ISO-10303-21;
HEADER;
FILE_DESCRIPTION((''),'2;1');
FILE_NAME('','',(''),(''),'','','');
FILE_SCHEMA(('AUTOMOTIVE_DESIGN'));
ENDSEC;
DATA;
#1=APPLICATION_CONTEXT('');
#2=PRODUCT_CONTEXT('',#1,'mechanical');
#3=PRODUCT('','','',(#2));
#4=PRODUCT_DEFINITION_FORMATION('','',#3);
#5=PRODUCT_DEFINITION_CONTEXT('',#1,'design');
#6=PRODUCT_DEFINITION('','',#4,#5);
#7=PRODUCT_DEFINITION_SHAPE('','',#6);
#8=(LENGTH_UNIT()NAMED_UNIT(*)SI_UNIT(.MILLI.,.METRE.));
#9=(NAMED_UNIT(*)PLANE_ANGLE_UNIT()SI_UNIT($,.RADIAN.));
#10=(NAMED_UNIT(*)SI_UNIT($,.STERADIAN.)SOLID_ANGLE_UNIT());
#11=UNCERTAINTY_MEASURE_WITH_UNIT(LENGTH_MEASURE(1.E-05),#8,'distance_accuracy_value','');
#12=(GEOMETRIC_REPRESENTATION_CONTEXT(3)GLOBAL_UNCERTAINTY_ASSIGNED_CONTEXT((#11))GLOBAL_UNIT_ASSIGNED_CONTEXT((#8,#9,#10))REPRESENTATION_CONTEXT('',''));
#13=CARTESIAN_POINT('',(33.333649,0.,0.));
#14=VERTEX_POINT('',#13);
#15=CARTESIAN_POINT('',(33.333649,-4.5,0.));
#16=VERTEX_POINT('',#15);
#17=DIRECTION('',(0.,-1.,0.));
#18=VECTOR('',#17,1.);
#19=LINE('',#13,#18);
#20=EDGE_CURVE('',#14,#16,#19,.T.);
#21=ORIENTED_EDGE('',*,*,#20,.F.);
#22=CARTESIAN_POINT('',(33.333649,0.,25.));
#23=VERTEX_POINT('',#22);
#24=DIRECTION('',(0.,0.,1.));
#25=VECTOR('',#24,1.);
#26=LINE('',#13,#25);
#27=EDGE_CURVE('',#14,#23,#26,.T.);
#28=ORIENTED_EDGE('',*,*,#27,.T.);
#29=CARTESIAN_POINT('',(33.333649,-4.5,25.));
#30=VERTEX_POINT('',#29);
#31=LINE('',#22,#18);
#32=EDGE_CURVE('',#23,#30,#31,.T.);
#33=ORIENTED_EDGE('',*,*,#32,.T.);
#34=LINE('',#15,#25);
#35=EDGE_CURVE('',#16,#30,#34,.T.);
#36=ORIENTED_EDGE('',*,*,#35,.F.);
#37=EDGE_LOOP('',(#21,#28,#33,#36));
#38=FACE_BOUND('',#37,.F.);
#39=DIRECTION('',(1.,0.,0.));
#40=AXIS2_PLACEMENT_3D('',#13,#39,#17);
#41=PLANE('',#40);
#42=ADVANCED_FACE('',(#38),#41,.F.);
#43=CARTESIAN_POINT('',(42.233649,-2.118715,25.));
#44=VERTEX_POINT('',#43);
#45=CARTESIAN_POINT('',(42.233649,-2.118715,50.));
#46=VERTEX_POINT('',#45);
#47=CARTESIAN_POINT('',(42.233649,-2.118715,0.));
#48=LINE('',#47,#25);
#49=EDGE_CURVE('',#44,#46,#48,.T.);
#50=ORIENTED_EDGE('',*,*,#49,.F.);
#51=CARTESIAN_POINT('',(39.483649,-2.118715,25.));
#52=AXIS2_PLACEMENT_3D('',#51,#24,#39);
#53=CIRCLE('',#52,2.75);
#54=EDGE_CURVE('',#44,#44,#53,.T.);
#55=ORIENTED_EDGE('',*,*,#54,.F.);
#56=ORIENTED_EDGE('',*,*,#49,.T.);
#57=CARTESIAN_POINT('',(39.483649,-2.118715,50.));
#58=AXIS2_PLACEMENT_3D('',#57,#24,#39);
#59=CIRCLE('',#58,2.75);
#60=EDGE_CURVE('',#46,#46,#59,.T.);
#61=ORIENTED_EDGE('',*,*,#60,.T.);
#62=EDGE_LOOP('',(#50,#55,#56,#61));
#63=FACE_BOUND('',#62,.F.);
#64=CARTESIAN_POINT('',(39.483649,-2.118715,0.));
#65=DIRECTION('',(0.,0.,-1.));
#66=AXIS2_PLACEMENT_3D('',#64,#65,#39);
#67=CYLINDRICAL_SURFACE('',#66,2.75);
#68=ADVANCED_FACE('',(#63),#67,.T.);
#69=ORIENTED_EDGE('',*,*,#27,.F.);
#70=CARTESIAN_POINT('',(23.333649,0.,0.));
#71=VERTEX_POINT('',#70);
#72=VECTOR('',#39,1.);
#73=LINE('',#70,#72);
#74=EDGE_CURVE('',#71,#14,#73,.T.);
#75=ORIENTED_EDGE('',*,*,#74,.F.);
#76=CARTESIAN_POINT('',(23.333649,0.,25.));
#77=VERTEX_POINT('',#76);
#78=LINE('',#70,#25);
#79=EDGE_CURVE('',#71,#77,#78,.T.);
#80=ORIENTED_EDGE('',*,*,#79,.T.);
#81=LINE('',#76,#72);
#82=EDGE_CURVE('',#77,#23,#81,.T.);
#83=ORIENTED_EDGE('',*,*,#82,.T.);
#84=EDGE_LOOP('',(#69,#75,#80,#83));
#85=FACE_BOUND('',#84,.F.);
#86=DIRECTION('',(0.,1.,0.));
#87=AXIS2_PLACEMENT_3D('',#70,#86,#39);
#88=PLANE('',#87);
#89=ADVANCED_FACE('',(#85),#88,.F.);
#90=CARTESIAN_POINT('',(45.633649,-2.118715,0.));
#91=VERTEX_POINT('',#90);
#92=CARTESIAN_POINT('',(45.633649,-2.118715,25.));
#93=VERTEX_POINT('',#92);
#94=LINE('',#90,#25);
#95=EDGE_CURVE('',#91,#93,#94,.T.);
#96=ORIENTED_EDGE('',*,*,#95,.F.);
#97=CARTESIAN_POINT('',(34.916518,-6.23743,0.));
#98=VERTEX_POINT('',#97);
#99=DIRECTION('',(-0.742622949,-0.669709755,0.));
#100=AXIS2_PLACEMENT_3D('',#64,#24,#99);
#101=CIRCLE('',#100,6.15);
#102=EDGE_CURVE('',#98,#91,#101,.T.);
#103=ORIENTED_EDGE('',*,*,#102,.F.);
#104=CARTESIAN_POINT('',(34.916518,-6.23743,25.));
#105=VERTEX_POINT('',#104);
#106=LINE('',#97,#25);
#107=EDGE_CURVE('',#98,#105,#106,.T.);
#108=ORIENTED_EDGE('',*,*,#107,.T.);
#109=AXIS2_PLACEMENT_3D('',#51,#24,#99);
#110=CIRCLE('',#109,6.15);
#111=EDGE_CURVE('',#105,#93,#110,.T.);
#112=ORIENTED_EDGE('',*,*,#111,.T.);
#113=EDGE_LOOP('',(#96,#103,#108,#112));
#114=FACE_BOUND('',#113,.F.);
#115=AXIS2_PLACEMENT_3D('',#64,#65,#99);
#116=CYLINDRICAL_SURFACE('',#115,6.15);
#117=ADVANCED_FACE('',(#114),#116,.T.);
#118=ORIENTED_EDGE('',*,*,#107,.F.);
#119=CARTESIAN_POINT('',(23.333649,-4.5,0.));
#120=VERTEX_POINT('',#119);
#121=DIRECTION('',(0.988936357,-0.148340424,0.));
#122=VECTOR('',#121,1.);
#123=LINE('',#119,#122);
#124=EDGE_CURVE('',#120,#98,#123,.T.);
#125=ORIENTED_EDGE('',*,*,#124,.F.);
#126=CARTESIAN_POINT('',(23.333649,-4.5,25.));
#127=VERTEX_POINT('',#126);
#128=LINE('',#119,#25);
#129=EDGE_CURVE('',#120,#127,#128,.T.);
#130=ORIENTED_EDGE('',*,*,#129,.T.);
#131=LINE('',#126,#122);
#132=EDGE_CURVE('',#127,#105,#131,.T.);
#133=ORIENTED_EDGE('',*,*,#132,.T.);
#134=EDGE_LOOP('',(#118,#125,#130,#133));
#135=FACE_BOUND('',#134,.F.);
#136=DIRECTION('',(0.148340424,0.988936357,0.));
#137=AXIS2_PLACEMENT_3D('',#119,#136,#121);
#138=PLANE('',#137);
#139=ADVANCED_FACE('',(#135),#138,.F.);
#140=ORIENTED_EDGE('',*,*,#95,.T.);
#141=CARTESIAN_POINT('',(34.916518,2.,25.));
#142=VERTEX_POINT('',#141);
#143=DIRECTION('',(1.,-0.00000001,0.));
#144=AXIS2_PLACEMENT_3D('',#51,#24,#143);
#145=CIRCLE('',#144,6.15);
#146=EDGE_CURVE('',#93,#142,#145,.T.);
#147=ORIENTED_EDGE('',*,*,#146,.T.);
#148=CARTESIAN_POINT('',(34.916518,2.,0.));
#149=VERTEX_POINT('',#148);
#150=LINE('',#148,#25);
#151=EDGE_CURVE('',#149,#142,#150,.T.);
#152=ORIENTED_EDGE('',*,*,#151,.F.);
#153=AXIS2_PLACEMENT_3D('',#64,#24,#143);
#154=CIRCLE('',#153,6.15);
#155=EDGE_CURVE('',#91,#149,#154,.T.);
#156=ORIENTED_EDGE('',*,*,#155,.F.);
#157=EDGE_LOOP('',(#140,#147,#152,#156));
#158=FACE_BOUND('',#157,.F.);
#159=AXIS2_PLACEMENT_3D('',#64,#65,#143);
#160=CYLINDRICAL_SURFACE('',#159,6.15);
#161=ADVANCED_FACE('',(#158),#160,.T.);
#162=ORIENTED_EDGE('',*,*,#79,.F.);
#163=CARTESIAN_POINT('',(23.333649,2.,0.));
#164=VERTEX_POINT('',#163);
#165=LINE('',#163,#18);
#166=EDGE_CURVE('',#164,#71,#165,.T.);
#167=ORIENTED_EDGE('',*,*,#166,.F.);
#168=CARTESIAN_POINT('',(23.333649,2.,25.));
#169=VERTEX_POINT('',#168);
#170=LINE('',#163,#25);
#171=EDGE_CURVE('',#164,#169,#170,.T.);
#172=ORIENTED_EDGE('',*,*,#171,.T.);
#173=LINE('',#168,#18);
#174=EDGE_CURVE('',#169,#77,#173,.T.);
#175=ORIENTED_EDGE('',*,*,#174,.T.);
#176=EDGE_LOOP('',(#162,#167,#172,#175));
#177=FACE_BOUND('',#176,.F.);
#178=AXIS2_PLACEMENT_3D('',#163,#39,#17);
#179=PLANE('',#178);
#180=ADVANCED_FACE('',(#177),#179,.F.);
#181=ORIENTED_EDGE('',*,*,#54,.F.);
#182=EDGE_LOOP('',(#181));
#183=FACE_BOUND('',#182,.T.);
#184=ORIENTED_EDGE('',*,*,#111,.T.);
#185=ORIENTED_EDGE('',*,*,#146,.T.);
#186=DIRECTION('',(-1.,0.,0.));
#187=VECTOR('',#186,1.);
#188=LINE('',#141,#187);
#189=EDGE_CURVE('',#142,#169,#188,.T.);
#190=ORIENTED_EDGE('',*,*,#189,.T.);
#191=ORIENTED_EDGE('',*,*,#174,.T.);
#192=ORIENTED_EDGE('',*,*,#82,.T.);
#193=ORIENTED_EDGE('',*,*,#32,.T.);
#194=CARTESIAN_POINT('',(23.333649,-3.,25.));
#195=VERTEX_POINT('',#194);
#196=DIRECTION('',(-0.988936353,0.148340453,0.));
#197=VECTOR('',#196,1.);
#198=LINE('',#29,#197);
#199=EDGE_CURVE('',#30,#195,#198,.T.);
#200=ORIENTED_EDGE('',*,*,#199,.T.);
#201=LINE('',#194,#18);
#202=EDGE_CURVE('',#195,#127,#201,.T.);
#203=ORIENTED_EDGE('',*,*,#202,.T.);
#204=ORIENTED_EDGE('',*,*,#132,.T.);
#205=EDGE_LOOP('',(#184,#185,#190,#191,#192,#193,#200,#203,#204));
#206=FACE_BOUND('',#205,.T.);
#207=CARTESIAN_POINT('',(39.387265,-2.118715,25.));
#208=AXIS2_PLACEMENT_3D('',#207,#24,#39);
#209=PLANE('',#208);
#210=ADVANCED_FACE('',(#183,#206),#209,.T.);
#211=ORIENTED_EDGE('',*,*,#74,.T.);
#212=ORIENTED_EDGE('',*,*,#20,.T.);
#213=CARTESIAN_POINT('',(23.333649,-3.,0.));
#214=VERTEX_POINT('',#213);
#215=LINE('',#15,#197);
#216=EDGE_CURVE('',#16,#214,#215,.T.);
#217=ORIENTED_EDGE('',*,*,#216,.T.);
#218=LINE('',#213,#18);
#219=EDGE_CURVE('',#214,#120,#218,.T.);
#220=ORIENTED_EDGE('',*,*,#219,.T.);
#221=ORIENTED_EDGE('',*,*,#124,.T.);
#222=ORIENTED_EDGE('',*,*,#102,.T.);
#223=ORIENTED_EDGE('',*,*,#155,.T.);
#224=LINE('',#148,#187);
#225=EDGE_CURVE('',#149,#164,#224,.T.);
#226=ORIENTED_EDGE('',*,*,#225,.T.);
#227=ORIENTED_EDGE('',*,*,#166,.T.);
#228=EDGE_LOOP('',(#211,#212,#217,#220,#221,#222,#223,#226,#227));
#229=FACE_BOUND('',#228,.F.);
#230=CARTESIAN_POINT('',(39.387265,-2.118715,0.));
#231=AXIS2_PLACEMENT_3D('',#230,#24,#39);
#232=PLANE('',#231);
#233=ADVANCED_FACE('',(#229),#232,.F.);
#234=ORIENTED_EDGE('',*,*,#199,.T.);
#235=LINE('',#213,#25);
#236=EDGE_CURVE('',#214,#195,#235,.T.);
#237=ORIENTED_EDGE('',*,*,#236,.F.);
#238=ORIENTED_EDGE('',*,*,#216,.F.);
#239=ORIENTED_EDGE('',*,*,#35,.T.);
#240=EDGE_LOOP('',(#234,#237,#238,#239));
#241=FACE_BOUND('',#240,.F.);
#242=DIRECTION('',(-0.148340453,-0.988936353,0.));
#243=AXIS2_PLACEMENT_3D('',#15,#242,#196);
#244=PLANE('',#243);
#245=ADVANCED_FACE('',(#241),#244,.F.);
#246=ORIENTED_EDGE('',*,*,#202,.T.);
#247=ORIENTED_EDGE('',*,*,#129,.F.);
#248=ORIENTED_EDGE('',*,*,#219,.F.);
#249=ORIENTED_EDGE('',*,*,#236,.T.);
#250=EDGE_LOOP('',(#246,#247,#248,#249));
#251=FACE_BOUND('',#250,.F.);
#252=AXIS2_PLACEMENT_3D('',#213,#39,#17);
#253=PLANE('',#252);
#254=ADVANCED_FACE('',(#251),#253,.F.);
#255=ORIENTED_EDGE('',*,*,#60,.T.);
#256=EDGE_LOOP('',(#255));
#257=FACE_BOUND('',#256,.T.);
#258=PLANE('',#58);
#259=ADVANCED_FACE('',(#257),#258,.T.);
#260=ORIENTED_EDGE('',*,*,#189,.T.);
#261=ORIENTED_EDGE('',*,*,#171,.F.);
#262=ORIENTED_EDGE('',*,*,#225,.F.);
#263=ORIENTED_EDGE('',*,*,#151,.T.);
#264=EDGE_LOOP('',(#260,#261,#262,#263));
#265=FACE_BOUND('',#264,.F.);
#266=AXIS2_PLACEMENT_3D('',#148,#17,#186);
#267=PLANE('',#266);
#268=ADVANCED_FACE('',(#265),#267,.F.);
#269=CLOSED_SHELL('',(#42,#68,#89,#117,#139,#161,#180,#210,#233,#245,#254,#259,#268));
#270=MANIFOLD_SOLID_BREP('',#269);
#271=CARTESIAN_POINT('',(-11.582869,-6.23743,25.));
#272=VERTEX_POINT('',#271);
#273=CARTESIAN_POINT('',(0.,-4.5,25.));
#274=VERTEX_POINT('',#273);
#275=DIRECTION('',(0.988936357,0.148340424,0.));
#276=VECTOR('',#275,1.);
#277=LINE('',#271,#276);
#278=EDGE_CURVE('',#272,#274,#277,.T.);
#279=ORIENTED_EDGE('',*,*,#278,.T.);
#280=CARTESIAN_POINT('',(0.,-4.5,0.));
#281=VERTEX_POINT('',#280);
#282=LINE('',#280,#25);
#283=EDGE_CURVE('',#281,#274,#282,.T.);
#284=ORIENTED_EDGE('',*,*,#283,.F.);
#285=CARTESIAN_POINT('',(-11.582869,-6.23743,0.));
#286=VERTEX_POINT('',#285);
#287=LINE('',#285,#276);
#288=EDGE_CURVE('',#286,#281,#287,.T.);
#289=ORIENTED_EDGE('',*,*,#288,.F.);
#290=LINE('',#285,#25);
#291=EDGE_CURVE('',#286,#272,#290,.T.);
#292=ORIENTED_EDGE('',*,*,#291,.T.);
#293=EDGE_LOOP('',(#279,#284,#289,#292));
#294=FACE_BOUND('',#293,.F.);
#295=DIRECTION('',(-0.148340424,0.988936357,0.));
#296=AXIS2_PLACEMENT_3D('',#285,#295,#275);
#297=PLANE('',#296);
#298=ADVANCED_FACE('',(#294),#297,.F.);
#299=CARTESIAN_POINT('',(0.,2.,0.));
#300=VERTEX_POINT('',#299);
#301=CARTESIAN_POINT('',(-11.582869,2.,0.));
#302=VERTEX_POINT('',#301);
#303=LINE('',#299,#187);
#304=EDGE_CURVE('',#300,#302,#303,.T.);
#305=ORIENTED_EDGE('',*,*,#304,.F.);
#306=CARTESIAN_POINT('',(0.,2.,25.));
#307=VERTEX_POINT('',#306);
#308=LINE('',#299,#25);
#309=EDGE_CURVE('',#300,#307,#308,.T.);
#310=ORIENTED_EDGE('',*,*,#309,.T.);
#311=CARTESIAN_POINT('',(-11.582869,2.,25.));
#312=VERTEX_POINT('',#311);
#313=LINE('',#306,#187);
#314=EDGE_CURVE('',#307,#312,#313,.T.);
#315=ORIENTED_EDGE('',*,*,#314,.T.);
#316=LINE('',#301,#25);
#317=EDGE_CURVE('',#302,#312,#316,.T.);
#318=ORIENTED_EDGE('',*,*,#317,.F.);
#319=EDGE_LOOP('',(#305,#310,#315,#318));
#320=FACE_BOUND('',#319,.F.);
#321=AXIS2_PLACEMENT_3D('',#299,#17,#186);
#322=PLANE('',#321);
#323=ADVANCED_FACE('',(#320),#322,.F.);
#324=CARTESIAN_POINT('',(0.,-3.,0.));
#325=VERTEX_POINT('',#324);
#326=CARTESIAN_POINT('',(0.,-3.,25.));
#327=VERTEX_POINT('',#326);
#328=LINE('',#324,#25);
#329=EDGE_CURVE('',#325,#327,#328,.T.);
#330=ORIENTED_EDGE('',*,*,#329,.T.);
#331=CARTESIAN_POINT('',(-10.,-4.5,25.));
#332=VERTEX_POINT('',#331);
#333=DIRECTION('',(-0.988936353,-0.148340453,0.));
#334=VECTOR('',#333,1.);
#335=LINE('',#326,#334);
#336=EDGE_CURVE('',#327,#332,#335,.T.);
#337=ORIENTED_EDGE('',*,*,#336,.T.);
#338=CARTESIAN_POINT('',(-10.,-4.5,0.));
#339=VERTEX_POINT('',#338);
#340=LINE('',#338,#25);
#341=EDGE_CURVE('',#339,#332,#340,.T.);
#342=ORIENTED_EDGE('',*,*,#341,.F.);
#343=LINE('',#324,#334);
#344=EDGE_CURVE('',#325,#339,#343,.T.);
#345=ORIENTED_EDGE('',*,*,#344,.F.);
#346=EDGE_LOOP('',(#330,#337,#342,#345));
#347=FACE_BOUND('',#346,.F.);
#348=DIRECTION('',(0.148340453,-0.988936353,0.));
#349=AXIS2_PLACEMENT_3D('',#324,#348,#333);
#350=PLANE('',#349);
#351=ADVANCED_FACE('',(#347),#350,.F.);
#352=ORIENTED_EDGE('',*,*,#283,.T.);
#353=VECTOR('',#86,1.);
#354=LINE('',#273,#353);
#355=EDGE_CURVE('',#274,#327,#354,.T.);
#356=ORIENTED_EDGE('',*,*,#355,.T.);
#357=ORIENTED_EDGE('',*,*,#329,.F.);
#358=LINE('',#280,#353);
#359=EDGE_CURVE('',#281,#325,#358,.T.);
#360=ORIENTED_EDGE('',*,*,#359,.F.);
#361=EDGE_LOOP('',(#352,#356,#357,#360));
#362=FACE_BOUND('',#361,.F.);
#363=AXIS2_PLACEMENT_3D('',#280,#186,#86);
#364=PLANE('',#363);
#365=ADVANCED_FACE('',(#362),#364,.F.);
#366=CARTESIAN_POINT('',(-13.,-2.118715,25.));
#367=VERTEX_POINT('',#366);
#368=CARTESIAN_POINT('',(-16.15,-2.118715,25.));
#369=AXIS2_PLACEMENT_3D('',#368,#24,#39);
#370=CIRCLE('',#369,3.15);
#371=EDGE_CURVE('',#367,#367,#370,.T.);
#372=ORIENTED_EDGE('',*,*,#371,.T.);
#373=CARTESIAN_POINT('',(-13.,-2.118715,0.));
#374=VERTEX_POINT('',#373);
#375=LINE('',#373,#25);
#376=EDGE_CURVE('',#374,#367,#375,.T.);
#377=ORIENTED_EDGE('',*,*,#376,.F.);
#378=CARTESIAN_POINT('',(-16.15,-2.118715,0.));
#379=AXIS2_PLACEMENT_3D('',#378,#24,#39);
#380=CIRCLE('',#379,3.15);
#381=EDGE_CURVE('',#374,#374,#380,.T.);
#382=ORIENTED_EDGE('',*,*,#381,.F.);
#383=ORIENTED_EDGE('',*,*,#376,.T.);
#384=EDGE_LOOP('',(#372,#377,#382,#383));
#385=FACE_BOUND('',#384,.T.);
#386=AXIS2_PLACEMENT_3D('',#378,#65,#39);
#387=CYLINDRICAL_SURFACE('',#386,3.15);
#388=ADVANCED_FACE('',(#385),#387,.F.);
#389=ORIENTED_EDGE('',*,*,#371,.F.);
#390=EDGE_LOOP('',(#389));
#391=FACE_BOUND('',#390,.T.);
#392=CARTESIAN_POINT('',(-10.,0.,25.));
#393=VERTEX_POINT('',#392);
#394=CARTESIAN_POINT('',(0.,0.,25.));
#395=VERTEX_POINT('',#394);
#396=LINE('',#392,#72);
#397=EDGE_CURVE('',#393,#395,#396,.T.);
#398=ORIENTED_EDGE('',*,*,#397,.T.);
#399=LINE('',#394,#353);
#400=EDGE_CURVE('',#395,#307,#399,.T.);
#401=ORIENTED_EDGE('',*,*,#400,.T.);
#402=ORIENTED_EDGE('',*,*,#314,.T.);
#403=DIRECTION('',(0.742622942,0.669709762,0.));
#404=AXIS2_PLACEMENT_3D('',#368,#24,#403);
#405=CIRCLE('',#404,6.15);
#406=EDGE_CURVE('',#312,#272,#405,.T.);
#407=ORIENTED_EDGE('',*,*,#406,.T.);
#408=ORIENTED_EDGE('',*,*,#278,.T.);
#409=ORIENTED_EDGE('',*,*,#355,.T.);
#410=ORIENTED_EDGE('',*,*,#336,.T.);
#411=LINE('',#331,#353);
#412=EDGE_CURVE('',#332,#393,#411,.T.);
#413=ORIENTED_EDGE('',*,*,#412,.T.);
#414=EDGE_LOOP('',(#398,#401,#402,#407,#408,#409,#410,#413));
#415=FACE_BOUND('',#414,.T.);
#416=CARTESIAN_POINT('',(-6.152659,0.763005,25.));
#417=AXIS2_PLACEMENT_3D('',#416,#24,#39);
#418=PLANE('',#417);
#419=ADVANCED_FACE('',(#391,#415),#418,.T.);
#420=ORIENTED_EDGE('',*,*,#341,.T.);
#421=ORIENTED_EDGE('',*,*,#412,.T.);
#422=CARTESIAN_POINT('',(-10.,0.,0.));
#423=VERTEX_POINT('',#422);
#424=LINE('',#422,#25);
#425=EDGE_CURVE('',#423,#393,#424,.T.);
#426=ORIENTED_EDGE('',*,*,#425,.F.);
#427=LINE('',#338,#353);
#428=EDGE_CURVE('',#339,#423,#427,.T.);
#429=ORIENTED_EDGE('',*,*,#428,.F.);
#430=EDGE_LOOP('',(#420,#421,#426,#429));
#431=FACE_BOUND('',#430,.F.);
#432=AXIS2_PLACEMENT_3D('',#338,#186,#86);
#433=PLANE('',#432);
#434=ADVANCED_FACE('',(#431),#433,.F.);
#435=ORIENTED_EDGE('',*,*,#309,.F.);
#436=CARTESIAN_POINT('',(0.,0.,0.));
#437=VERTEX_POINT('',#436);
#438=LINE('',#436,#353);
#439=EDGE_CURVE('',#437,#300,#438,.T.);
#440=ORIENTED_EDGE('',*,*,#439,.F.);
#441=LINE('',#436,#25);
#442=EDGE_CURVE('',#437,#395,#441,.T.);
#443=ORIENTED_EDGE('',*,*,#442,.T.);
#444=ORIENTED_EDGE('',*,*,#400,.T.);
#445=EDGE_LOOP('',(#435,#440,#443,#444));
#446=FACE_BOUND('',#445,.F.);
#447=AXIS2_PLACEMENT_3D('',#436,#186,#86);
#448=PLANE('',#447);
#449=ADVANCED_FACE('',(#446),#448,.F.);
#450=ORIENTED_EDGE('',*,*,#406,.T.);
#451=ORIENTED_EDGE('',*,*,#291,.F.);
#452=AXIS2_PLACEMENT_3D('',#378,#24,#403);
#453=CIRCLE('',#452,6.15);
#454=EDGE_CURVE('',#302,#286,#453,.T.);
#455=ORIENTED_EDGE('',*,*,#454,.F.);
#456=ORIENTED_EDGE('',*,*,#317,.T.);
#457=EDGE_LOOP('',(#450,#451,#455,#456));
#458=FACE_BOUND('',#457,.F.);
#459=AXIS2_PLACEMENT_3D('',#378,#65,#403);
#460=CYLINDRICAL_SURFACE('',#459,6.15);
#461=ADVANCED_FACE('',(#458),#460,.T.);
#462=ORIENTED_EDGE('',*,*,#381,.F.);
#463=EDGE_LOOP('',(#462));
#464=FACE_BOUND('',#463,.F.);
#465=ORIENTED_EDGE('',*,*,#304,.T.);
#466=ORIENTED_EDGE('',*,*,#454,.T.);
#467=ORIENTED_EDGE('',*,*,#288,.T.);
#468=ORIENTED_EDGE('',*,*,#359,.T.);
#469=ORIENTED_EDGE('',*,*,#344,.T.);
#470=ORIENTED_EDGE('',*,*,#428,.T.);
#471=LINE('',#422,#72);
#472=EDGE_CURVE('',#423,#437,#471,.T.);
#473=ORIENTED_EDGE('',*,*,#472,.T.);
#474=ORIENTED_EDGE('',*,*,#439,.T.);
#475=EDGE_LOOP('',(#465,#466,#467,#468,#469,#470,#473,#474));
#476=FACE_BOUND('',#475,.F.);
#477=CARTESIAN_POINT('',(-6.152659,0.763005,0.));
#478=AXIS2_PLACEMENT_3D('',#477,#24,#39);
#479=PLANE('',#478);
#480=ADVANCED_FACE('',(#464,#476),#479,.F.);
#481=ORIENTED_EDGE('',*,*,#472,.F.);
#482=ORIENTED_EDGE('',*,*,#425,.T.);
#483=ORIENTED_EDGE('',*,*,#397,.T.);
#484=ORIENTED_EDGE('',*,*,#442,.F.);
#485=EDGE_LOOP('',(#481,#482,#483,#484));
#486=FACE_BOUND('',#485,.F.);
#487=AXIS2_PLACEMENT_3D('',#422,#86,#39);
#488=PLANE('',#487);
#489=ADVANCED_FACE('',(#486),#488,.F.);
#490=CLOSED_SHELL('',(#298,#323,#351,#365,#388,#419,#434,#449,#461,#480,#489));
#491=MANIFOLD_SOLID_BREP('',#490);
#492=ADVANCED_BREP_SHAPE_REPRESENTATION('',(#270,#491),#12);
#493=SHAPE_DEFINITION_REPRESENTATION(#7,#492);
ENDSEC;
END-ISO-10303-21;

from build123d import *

# Parameters (mm, degrees)
F0_R     = 3.15
F1_DEPTH = 25
F0_R_2   = 2.75
F2_DEPTH = 25
F3_DEPTH = 50


with BuildPart() as f1:
    # F0 (on Top) → F1 (new body)
    with BuildSketch(Plane.XY):
        with BuildLine():
            Line((-10, 0), (0, 0))
            Line((0, 0), (0, 2))
            Line((0, 2), (-11.582869, 2))
            ThreePointArc((-11.582869, 2), (-10.40934, 0.087486), (-10, -2.118715))
            Line((-10, -2.118715), (-10, 0))
        make_face()
        with BuildLine():
            ThreePointArc((-11.582869, -6.23743), (-10.40934, -4.324916), (-10, -2.118715))
            ThreePointArc((-10, -2.118715), (-10.40934, 0.087486), (-11.582869, 2))
            ThreePointArc((-11.582869, 2), (-22.3, -2.118715), (-11.582869, -6.23743))
        make_face()
        with Locations((-16.15, -2.118715)):
            Circle(F0_R, mode=Mode.SUBTRACT)
        with BuildLine():
            Line((-10, -4.5), (-10, -2.118715))
            ThreePointArc((-10, -2.118715), (-10.40934, -4.324916), (-11.582869, -6.23743))
            Line((-11.582869, -6.23743), (0, -4.5))
            Line((0, -4.5), (0, -3))
            Line((0, -3), (-10, -4.5))
        make_face()
    extrude(amount=F1_DEPTH)


with BuildPart() as f2:
    # F0 (on Top) → F2 (new body)
    with BuildSketch(Plane.XY):
        with BuildLine():
            ThreePointArc((45.633649, -2.118715), (41.68985, 3.621945), (34.916518, 2))
            ThreePointArc((34.916518, 2), (33.742989, 0.087486), (33.333649, -2.118715))
            ThreePointArc((33.333649, -2.118715), (33.742989, -4.324916), (34.916518, -6.23743))
            ThreePointArc((34.916518, -6.23743), (41.68985, -7.859375), (45.633649, -2.118715))
        make_face()
        with Locations((39.483649, -2.118715)):
            Circle(F0_R_2, mode=Mode.SUBTRACT)
        with BuildLine():
            Line((23.333649, 2), (23.333649, 0))
            Line((23.333649, 0), (33.333649, 0))
            Line((33.333649, 0), (33.333649, -2.118715))
            ThreePointArc((33.333649, -2.118715), (33.742989, 0.087486), (34.916518, 2))
            Line((34.916518, 2), (23.333649, 2))
        make_face()
        with BuildLine():
            ThreePointArc((34.916518, -6.23743), (33.742989, -4.324916), (33.333649, -2.118715))
            Line((33.333649, -2.118715), (33.333649, -4.5))
            Line((33.333649, -4.5), (23.333649, -3))
            Line((23.333649, -3), (23.333649, -4.5))
            Line((23.333649, -4.5), (34.916518, -6.23743))
        make_face()
    extrude(amount=F2_DEPTH)

    # F0 (on Top) → F3 (join)
    with BuildSketch(Plane.XY):
        with Locations((39.483649, -2.118715)):
            Circle(F0_R_2)
    extrude(amount=F3_DEPTH)


solid = Compound([f1.part, f2.part])
